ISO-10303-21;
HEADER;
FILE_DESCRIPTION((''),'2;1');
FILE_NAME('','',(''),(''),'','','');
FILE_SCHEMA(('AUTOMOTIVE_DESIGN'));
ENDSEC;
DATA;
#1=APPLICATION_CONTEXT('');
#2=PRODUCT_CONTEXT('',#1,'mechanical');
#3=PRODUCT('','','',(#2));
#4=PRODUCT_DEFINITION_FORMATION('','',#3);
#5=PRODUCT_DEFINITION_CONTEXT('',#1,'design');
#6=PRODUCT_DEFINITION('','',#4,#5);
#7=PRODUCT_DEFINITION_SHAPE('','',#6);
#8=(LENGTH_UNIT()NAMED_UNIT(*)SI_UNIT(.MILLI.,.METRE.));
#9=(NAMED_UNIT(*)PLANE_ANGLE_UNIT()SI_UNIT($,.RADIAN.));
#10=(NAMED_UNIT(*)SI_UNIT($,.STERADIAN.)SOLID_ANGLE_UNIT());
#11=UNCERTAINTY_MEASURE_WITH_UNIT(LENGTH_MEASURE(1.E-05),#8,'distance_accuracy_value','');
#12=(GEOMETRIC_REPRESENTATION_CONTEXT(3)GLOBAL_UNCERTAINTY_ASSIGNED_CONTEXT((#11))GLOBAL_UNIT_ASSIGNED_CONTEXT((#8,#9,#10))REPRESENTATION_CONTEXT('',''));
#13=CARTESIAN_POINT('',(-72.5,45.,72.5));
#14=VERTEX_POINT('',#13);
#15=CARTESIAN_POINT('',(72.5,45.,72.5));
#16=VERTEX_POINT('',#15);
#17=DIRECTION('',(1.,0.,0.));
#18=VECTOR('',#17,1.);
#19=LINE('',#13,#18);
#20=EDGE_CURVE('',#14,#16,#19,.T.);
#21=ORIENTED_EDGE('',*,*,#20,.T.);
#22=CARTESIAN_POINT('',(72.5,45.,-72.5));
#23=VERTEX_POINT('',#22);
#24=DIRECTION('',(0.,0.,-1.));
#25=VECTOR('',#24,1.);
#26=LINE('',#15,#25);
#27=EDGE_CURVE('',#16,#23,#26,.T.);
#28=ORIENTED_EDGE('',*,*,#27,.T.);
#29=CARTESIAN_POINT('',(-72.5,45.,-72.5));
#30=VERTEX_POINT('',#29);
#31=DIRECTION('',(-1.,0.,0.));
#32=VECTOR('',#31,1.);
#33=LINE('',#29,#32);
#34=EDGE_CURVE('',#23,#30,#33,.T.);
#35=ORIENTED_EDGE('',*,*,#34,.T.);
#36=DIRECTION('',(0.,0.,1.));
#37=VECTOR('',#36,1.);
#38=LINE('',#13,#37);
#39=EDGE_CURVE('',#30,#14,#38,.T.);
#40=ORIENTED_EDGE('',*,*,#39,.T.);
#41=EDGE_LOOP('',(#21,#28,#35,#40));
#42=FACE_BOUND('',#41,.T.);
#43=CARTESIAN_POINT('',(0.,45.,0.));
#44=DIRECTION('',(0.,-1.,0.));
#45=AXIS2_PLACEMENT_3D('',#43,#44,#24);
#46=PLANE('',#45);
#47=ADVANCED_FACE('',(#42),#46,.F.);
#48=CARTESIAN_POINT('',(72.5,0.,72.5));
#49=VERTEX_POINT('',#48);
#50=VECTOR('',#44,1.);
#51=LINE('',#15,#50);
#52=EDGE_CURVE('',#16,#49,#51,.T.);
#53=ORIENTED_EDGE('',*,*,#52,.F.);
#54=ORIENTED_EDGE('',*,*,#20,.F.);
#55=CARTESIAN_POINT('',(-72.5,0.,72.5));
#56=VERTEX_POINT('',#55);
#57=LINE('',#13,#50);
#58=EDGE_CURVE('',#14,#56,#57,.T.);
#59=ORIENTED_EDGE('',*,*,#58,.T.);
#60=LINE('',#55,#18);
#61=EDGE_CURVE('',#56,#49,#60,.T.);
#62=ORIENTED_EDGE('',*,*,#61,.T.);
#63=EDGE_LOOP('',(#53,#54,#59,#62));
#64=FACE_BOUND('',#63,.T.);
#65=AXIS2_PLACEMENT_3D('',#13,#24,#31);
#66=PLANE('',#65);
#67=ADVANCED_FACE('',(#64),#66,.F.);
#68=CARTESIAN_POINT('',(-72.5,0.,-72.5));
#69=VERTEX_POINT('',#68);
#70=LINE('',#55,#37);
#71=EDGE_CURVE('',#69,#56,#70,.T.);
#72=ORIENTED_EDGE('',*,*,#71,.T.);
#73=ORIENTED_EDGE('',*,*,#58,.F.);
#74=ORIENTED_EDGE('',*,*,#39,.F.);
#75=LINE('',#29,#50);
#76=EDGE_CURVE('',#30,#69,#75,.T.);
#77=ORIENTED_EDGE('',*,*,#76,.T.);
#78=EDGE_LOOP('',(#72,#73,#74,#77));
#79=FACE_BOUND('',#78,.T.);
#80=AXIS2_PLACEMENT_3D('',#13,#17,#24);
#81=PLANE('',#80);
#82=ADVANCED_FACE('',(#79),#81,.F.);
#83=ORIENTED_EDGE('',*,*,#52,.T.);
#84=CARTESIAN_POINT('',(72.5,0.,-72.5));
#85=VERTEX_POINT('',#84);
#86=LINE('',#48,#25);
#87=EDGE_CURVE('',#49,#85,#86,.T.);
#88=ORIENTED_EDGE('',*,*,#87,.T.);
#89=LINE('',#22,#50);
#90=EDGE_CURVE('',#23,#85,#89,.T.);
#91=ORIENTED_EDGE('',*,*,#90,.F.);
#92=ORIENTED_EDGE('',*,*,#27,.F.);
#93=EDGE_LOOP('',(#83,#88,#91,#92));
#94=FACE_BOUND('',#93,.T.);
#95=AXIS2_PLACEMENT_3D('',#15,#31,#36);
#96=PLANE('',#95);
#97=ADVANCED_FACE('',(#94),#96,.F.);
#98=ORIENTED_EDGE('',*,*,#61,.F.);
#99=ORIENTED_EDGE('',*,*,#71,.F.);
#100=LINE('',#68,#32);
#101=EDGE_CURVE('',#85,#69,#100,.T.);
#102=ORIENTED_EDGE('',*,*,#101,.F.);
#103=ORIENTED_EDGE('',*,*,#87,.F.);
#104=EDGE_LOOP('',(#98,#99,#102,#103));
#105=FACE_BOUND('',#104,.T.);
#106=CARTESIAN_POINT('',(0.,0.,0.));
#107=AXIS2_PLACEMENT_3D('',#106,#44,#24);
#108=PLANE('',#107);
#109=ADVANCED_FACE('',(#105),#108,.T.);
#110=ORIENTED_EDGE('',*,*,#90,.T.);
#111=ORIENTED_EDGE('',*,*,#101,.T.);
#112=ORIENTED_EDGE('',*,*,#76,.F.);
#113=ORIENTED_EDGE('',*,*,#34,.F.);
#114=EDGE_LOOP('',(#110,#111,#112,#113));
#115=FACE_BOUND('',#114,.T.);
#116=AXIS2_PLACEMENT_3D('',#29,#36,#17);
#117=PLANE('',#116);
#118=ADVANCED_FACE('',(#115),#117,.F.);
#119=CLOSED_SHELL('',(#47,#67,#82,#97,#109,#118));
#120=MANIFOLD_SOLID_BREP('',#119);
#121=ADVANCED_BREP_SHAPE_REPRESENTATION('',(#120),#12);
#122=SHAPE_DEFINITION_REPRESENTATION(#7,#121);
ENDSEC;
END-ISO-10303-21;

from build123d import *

# Parameters (mm, degrees)
SKETCH1_W           = 145
SKETCH1_H           = 145
BOSS_EXTRUDE1_DEPTH = 45


with BuildPart() as part:
    # Sketch1 → Boss-Extrude1 (new body)
    with BuildSketch(Plane(origin=(0, 0, 0), x_dir=(1, 0, 0), z_dir=(0, 1, 0))):
        Rectangle(SKETCH1_W, SKETCH1_H)
    extrude(amount=BOSS_EXTRUDE1_DEPTH)


solid = part.part
